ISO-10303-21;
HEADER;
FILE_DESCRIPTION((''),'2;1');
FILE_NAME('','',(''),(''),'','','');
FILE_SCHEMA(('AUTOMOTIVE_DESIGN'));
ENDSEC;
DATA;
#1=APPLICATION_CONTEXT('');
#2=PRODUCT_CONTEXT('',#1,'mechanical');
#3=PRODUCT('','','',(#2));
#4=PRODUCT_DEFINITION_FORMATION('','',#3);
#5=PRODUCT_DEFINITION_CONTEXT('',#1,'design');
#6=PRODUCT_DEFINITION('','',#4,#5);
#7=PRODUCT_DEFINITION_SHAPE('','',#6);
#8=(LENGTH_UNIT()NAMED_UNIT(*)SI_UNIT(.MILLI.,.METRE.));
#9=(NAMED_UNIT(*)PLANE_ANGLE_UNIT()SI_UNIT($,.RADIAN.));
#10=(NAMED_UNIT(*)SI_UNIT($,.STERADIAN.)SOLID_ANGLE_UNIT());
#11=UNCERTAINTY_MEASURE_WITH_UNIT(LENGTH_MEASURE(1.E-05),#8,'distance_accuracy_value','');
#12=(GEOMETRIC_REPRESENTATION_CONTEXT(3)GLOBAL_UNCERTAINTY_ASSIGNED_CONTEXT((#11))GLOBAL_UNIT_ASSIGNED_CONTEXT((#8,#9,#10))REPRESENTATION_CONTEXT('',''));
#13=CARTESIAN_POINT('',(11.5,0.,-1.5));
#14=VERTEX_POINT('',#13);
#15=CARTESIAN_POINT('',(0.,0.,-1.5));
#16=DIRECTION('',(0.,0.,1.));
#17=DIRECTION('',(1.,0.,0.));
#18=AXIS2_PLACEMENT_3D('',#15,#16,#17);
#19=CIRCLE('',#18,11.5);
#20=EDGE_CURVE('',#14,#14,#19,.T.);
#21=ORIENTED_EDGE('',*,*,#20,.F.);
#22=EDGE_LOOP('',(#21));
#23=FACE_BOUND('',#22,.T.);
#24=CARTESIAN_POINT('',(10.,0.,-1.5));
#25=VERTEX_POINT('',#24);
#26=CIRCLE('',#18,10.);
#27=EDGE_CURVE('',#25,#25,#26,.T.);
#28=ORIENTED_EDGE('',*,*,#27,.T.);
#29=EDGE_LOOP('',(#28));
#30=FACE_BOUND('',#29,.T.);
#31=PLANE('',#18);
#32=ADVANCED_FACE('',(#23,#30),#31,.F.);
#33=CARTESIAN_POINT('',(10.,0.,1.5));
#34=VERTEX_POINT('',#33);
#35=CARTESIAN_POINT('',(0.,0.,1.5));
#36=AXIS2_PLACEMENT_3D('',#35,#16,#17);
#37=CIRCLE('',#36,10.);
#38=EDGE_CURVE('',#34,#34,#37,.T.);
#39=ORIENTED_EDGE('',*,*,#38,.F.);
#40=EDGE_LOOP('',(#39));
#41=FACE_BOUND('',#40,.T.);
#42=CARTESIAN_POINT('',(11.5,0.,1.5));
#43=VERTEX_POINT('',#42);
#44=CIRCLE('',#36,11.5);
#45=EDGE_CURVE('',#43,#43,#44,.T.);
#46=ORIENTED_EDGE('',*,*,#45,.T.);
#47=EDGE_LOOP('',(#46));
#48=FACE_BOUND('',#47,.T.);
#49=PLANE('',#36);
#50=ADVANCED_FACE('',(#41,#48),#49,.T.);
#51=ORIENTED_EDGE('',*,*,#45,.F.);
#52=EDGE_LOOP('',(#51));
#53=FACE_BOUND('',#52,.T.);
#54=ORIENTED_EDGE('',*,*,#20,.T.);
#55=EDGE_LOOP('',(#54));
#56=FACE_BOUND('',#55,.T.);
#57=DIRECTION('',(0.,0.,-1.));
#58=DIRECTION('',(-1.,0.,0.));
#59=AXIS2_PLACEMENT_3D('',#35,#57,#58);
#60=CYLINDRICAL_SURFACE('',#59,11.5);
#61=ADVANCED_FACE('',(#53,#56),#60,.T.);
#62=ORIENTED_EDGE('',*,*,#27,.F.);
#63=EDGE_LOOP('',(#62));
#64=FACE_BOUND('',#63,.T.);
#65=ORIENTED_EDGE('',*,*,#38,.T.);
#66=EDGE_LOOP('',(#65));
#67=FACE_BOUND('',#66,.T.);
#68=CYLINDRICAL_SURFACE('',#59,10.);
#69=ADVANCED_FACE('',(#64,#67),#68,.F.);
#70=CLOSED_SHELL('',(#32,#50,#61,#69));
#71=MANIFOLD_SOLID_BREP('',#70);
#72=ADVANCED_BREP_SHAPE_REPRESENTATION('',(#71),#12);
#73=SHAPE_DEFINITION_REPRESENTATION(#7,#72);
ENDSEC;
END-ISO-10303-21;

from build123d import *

# Parameters (mm, degrees)
SKETCH_1_R      = 11.5
SKETCH_1_R_2    = 10
EXTRUDE_1_DEPTH = 1.5


with BuildPart() as part:
    # 草图1 → 凸台-拉伸1 (new, symmetric)
    with BuildSketch(Plane.XY):
        Circle(SKETCH_1_R)
        Circle(SKETCH_1_R_2, mode=Mode.SUBTRACT)
    extrude(amount=EXTRUDE_1_DEPTH, both=True)


solid = part.part
